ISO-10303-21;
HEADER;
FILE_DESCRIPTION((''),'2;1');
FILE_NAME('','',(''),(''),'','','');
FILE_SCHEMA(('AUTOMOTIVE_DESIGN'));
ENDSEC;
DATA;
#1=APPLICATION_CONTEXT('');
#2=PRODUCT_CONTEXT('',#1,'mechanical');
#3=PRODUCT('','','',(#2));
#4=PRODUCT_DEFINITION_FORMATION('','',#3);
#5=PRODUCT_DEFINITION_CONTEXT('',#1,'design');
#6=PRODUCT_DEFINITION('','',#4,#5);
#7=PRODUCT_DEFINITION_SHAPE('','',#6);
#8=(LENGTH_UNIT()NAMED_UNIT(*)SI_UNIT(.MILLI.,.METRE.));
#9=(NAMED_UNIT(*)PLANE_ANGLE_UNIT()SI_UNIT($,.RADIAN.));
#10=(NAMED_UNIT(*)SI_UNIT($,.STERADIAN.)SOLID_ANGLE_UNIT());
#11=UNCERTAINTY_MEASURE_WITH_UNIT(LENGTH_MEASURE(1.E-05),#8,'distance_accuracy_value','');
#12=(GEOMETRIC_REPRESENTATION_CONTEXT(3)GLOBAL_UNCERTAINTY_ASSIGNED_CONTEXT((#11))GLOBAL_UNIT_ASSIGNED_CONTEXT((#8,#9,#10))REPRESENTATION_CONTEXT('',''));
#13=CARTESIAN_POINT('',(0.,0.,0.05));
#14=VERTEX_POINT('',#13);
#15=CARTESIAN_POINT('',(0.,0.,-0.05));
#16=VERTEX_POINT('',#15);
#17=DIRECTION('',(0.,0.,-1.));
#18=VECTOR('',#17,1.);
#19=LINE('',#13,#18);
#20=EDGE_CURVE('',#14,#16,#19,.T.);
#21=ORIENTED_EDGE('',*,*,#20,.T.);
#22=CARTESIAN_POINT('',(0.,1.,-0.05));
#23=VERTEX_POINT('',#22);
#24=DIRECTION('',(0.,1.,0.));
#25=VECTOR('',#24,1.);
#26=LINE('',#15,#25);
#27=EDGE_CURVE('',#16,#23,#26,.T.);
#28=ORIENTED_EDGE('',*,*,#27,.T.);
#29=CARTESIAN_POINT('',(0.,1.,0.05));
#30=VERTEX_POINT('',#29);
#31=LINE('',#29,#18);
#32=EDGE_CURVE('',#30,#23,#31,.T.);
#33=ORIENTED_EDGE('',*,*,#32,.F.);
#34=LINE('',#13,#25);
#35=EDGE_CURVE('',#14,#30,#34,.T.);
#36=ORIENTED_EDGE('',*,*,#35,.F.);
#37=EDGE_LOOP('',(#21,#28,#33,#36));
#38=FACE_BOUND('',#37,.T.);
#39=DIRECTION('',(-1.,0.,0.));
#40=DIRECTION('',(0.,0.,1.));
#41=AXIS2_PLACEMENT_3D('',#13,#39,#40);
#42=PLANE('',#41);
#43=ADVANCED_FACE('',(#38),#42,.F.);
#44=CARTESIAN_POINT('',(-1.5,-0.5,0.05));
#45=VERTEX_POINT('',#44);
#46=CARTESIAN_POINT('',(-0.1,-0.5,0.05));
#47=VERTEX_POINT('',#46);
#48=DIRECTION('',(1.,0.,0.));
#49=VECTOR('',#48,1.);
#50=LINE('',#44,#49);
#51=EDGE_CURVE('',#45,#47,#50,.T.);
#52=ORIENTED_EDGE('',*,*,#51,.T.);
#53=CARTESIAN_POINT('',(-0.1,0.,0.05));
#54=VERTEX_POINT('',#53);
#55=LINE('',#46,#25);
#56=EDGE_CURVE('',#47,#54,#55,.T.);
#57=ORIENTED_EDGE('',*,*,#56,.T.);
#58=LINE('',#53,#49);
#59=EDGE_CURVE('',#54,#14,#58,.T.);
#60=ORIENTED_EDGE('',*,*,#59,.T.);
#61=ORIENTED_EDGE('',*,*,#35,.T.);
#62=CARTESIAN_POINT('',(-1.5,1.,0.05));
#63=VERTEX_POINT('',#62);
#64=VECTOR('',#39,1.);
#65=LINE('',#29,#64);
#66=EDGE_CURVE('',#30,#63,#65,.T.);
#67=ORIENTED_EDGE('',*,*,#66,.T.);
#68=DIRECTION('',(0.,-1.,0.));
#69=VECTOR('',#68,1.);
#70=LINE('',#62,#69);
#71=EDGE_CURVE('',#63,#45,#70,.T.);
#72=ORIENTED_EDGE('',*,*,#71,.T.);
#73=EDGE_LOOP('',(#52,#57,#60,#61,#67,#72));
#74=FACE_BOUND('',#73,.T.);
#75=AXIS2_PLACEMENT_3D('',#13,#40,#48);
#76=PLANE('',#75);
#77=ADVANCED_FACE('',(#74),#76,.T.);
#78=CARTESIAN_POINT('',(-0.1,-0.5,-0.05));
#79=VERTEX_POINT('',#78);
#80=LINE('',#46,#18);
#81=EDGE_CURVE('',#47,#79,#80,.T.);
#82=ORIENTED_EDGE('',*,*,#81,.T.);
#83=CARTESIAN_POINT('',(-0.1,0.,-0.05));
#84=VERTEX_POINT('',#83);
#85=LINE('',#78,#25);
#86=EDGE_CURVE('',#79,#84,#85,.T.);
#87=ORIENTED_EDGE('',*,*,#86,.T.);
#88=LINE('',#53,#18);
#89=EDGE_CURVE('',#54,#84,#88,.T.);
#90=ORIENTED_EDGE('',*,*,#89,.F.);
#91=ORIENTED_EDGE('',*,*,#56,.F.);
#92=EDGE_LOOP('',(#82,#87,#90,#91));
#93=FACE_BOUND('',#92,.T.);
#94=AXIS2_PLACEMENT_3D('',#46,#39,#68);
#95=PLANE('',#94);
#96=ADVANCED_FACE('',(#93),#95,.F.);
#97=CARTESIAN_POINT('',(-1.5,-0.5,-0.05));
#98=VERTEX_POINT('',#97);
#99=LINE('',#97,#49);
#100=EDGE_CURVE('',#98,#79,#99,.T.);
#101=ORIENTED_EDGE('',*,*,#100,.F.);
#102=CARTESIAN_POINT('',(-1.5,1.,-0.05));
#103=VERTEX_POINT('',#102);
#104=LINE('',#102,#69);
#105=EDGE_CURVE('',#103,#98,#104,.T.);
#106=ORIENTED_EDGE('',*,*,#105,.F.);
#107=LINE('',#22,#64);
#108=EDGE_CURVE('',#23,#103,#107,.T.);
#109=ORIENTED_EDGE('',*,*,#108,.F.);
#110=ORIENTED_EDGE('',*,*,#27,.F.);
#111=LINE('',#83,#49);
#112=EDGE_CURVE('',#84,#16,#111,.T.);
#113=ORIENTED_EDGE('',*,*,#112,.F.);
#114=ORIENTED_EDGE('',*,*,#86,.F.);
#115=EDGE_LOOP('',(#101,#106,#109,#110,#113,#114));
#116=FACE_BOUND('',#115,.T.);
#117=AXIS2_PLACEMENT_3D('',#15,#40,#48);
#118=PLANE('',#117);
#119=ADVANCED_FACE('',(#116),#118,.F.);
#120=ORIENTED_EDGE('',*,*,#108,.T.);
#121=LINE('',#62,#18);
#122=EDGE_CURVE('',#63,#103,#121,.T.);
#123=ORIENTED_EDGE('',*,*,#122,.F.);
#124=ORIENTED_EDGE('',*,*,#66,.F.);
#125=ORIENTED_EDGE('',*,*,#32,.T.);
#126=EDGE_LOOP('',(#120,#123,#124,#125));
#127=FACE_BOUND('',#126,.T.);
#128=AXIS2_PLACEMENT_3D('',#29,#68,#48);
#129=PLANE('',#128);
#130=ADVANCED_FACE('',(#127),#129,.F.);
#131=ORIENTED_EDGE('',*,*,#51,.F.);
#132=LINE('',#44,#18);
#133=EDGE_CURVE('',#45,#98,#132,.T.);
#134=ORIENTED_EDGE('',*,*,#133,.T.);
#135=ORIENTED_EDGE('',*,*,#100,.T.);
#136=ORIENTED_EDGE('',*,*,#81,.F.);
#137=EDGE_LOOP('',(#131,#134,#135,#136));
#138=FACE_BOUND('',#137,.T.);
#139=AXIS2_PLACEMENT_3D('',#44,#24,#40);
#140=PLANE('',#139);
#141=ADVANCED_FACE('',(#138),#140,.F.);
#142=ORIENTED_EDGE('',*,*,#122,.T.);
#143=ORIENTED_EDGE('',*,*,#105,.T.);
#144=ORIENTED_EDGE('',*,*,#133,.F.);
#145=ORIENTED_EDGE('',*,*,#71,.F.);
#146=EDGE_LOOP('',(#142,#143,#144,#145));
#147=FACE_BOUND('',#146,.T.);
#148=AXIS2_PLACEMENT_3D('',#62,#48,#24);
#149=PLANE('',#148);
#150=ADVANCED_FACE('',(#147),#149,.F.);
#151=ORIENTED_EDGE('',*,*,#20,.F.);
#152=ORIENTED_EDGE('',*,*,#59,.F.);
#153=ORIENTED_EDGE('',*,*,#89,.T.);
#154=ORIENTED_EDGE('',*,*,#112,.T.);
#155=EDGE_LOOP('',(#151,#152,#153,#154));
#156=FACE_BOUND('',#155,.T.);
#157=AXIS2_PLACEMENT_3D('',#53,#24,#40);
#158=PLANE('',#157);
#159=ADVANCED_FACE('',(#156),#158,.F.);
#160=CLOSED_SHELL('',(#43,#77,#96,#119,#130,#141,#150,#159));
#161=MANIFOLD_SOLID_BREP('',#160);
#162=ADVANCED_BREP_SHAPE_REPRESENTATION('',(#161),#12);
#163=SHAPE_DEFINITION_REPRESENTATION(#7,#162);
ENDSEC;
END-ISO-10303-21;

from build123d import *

# Parameters (mm, degrees)
BOSS_EXTRUDE1_DEPTH = 0.05


with BuildPart() as part:
    # Sketch1 → Boss-Extrude1 (new, symmetric)
    with BuildSketch(Plane.XY):
        Polygon((0, 0), (0, 1), (-1.5, 1), (-1.5, -0.5), (-0.1, -0.5), (-0.1, 0), align=None)
    extrude(amount=BOSS_EXTRUDE1_DEPTH, both=True)


solid = part.part
